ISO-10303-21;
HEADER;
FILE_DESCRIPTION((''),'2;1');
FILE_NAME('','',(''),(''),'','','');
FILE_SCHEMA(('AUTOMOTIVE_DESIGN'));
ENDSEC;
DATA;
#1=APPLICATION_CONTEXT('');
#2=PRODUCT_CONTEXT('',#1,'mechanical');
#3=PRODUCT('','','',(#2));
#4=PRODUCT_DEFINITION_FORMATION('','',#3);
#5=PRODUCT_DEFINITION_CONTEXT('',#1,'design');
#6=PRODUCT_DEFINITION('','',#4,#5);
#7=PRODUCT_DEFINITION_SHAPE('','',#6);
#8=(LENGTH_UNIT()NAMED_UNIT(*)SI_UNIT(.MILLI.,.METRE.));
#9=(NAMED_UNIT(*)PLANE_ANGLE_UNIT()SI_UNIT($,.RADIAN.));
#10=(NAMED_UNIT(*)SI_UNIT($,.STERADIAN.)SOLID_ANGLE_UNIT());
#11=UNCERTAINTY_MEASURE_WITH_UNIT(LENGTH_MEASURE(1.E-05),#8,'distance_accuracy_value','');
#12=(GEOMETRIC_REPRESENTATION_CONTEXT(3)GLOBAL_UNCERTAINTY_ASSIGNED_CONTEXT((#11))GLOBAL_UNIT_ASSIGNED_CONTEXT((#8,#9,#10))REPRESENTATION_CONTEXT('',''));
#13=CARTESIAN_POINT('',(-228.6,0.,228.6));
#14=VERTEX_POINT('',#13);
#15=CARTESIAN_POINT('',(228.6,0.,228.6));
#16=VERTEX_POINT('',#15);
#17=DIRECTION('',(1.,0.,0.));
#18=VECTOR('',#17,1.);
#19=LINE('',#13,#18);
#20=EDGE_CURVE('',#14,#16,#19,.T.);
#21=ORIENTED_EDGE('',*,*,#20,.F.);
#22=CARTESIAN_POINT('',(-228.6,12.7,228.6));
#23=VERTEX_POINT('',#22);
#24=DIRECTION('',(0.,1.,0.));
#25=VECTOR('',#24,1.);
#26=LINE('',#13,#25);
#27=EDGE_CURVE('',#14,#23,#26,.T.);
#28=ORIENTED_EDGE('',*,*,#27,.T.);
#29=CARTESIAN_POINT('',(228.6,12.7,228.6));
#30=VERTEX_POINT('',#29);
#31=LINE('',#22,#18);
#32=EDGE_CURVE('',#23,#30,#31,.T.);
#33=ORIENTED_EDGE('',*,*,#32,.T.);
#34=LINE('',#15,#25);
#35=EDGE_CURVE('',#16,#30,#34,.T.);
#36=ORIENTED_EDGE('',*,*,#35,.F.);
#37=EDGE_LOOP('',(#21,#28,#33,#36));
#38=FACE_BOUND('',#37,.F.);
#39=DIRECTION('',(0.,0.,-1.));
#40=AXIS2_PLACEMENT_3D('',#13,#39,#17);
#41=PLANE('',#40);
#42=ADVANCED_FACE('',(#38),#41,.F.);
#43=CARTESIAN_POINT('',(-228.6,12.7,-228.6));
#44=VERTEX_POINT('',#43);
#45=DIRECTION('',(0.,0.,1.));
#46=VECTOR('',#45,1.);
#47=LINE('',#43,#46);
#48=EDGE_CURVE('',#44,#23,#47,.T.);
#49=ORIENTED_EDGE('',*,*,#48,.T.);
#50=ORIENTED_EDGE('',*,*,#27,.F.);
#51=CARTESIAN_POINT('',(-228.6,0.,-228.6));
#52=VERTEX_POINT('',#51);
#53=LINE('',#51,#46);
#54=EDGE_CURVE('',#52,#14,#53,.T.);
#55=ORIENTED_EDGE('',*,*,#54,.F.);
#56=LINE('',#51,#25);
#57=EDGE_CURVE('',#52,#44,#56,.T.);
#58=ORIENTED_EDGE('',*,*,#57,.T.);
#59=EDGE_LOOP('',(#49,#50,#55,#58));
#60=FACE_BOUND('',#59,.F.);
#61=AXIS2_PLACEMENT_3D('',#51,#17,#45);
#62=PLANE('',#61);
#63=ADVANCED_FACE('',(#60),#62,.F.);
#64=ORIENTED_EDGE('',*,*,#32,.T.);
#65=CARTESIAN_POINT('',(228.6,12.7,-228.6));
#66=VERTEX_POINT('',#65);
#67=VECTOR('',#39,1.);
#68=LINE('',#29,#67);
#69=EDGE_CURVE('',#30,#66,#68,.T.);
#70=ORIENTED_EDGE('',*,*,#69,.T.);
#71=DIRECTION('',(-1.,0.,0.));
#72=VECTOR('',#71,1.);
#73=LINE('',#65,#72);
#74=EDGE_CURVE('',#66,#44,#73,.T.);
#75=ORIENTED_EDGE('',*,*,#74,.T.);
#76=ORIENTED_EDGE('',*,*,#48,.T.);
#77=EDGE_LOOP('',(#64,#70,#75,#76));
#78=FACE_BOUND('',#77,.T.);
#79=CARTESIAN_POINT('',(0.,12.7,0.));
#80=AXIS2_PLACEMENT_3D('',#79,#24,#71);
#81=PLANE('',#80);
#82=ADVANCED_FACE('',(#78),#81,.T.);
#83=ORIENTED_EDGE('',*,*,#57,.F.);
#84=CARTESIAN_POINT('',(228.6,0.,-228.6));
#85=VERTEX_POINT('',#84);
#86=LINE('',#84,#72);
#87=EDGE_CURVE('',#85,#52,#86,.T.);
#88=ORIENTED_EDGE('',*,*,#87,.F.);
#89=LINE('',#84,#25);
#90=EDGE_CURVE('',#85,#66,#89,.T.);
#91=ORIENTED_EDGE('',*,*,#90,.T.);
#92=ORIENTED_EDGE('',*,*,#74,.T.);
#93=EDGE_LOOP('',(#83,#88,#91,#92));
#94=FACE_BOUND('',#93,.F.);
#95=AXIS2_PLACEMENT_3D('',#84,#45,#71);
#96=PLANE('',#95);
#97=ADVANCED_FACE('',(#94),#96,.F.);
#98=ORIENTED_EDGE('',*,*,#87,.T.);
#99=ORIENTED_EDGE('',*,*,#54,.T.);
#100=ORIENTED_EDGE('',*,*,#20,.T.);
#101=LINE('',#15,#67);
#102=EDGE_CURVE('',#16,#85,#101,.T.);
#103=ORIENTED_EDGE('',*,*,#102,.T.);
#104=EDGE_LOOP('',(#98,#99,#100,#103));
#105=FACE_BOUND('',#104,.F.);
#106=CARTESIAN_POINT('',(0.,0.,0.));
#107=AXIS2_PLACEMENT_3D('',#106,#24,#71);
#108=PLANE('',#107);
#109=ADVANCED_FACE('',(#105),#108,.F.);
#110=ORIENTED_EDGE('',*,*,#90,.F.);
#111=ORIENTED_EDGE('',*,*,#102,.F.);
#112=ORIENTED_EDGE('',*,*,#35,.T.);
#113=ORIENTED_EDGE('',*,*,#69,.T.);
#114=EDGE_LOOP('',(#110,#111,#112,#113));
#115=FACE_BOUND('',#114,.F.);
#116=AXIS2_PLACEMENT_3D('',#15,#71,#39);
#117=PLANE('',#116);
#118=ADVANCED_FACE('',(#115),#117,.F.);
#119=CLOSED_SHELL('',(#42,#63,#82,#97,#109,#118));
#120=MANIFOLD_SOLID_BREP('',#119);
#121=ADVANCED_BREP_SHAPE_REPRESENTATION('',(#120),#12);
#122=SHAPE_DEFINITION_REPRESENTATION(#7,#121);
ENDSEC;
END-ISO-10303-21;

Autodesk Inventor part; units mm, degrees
ref_plane "YZ Plane" through (0, 0, 0) normal (1, 0, 0) x (0, 1, 0)
ref_plane "XZ Plane" through (0, 0, 0) normal (0, 1, 0) x (-1, 0, 0)
ref_plane "XY Plane" through (0, 0, 0) normal (0, 0, 1) x (1, 0, 0)
sketch "Sketch1" plane through (0, 0, 0) normal (0, 1, 0) x (-1, 0, 0)
  line L0 (-228.6, -228.6) -> (228.6, -228.6)
  line L1 (228.6, -228.6) -> (228.6, 228.6)
  line L2 (228.6, 228.6) -> (-228.6, 228.6)
  line L3 (-228.6, 228.6) -> (-228.6, -228.6)
  line L4 (-228.6, -228.6) -> (228.6, 228.6) construction
  line L5 (228.6, -228.6) -> (-228.6, 228.6) construction
  point P0 (0, 0)
  dimension "d0" = 457.2
  dimension "d1" = 457.2
extrude "Extrusion1" add sketch "Sketch1" along normal blind 12.7
properties part number "Floor Tile Box O' Doom"
